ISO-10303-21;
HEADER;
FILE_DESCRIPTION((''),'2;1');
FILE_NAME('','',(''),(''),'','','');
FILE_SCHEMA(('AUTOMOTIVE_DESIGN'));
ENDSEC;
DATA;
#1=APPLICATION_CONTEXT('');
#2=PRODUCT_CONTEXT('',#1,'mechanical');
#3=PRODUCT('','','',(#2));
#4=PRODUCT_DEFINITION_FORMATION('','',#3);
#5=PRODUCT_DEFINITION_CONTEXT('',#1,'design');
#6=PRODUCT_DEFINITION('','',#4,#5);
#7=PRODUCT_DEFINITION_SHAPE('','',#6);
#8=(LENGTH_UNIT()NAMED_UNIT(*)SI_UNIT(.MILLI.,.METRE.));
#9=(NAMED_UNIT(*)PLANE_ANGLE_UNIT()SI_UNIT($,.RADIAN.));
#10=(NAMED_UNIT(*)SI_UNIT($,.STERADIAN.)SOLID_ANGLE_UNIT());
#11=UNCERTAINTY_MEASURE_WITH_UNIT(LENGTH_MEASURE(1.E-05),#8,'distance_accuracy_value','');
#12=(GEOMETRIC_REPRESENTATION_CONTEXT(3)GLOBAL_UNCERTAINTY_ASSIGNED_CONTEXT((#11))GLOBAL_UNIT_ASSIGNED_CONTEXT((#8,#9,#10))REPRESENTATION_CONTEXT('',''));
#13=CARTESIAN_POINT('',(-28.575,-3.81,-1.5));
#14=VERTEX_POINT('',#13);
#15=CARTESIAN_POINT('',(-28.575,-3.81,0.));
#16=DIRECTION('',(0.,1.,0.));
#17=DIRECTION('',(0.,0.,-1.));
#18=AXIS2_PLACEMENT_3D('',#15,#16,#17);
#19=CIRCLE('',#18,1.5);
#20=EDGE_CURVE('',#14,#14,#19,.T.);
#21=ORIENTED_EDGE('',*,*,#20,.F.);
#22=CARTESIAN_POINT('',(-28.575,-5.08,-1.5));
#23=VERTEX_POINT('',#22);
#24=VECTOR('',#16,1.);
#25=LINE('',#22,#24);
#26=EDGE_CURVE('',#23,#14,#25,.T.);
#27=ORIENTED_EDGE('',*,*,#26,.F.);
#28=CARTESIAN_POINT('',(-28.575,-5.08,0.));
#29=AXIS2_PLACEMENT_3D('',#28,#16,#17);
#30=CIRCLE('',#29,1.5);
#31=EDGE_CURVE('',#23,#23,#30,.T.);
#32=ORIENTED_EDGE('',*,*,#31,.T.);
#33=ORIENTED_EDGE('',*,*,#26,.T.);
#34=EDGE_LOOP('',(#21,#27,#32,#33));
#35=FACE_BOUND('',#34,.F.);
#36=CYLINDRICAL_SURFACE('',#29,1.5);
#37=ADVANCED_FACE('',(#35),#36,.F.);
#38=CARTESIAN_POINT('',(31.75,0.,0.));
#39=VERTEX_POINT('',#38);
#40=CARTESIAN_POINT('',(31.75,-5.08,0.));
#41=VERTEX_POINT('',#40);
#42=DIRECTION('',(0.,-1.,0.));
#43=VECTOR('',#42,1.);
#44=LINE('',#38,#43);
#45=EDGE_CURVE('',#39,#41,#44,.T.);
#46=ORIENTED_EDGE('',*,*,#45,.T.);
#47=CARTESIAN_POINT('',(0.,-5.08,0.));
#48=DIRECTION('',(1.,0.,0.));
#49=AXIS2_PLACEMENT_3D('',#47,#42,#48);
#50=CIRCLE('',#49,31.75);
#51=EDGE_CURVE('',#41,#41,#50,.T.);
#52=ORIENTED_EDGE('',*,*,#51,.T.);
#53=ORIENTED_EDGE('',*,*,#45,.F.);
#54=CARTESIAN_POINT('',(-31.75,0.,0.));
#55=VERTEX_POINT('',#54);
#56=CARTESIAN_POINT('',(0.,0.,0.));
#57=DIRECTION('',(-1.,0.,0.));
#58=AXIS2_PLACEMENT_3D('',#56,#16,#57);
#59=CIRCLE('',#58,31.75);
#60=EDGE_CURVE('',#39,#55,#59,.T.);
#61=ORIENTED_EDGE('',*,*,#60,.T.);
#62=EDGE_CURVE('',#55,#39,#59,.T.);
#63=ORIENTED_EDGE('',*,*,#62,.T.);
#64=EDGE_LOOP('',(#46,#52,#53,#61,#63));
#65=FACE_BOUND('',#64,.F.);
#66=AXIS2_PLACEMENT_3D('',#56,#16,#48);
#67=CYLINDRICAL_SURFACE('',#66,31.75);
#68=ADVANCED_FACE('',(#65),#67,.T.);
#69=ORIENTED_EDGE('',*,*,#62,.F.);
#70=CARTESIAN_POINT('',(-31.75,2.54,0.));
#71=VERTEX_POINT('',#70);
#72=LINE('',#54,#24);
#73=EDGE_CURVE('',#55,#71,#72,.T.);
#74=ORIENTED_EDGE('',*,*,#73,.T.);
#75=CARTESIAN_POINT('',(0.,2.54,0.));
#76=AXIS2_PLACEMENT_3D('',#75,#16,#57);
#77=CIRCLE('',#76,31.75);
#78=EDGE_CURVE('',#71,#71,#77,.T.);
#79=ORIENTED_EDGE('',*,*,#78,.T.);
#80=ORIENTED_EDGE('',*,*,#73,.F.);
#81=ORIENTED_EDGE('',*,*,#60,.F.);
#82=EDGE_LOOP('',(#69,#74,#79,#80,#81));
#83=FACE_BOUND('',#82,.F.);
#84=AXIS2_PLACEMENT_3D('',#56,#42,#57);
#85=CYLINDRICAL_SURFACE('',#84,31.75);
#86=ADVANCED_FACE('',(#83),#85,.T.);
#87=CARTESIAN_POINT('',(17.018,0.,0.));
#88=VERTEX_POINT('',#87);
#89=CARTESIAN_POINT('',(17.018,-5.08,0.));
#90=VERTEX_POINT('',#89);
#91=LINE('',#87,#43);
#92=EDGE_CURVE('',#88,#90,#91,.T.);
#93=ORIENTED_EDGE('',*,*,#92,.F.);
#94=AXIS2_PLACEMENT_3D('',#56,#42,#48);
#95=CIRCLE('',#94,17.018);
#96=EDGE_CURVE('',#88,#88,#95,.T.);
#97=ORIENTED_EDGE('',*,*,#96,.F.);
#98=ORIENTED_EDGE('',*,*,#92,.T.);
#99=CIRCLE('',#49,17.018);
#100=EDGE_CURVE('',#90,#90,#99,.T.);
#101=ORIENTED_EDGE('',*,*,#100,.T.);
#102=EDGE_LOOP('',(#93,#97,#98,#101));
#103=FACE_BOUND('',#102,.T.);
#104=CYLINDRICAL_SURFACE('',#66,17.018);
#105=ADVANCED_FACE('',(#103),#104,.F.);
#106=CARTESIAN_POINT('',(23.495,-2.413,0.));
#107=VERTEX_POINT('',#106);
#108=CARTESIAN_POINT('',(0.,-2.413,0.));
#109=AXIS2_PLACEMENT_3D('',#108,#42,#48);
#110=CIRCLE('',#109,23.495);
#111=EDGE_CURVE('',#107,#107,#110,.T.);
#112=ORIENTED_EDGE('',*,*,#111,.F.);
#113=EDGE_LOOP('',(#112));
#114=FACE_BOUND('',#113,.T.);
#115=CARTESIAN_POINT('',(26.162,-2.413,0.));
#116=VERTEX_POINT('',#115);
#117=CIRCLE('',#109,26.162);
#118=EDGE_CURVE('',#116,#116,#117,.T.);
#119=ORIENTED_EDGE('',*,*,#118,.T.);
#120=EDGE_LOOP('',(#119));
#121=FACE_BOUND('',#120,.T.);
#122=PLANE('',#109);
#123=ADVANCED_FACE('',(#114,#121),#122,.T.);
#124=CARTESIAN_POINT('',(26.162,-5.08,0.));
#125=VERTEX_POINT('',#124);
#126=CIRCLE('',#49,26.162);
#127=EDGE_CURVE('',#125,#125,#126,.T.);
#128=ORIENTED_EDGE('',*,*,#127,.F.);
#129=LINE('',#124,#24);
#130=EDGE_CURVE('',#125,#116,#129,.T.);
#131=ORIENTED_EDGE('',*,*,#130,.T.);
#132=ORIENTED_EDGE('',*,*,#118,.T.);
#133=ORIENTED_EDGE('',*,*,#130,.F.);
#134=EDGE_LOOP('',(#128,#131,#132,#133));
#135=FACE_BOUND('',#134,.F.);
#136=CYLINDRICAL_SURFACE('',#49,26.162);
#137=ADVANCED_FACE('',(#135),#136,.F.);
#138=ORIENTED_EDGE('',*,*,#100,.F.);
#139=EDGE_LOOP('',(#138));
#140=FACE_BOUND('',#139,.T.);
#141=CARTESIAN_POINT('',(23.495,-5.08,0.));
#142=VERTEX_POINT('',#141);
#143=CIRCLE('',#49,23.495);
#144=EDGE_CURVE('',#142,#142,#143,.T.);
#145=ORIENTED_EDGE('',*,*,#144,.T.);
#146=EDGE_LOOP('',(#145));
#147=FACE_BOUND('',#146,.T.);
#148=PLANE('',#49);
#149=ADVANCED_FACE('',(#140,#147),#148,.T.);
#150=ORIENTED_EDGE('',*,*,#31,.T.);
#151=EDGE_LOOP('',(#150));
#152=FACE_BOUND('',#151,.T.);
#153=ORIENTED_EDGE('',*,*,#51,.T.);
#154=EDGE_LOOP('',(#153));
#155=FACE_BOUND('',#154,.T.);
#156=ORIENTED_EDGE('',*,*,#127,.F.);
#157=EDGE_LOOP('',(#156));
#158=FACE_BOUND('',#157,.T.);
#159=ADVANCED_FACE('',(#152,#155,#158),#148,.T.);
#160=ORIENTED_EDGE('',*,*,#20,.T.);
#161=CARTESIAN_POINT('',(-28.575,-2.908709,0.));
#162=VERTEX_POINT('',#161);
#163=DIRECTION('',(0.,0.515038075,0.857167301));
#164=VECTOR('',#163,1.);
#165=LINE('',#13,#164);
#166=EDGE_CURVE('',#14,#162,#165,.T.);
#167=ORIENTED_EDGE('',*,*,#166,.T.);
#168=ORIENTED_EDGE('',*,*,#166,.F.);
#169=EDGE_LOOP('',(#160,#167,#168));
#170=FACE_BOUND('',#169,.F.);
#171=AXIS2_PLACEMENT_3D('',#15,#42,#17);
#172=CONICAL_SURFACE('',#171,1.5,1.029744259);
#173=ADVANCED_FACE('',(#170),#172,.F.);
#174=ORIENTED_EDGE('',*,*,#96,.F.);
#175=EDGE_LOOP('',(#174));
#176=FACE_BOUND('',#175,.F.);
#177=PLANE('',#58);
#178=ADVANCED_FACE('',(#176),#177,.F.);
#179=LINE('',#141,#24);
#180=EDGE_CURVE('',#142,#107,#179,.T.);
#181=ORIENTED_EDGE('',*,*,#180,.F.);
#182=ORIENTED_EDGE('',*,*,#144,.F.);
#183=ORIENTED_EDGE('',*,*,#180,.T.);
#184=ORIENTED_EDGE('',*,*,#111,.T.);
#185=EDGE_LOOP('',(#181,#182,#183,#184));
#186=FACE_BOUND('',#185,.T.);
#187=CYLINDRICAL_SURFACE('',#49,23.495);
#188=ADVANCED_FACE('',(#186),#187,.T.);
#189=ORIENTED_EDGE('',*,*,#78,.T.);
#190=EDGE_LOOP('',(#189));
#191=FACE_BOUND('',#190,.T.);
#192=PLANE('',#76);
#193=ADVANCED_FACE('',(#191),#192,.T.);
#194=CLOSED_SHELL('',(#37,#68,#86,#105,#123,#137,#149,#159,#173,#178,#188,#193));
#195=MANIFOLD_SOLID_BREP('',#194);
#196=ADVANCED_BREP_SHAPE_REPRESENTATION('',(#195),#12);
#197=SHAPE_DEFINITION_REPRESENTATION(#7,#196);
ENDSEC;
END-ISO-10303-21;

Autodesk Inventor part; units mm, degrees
ref_plane "YZ Plane" through (0, 0, 0) normal (1, 0, 0) x (0, 1, 0)
ref_plane "XZ Plane" through (0, 0, 0) normal (0, 1, 0) x (-1, 0, 0)
ref_plane "XY Plane" through (0, 0, 0) normal (0, 0, 1) x (1, 0, 0)
sketch "Sketch1" plane through (0, 0, 0) normal (0, 1, 0) x (-1, 0, 0)
  circle A0 centre (0, 0) radius 31.75
  dimension "d0" = 63.5
extrude "Extrusion1" add sketch "Sketch1" along normal blind 2.54
sketch "Sketch2" plane through (0, 0, 0) normal (0, -1, 0) x (1, 0, 0)
  circle A0 centre (0, 0) radius 31.75 projected
  circle A1 centre (0, 0) radius 17.018
  circle A2 centre (0, 0) radius 31.75
  dimension "d4" = 34.036
extrude "Extrusion2" add sketch "Sketch2" along normal blind 5.08
sketch "Sketch3" plane through (0, -5.08, 0) normal (0, -1, 0) x (1, 0, 0)
  circle A0 centre (0, 0) radius 23.495
  circle A1 centre (0, 0) radius 17.018 projected
  circle A2 centre (0, 0) radius 26.162
  dimension "d7" = 46.99
  dimension "d8" = 52.324
extrude "Extrusion3" cut sketch "Sketch3" against normal blind 2.667 contours A2
sketch "Sketch5" plane through (0, -5.08, 0) normal (0, -1, 0) x (1, 0, 0)
  point P0 (0, 0)
  point P1 (-28.575, 0)
  dimension "d18" = 28.575
hole "Hole1" at (-28.575, -5.08, 0) direction (0, 1, 0) diameter 3 depth 1.27 tip angle 118
properties part number "LED housing the one we're using"
